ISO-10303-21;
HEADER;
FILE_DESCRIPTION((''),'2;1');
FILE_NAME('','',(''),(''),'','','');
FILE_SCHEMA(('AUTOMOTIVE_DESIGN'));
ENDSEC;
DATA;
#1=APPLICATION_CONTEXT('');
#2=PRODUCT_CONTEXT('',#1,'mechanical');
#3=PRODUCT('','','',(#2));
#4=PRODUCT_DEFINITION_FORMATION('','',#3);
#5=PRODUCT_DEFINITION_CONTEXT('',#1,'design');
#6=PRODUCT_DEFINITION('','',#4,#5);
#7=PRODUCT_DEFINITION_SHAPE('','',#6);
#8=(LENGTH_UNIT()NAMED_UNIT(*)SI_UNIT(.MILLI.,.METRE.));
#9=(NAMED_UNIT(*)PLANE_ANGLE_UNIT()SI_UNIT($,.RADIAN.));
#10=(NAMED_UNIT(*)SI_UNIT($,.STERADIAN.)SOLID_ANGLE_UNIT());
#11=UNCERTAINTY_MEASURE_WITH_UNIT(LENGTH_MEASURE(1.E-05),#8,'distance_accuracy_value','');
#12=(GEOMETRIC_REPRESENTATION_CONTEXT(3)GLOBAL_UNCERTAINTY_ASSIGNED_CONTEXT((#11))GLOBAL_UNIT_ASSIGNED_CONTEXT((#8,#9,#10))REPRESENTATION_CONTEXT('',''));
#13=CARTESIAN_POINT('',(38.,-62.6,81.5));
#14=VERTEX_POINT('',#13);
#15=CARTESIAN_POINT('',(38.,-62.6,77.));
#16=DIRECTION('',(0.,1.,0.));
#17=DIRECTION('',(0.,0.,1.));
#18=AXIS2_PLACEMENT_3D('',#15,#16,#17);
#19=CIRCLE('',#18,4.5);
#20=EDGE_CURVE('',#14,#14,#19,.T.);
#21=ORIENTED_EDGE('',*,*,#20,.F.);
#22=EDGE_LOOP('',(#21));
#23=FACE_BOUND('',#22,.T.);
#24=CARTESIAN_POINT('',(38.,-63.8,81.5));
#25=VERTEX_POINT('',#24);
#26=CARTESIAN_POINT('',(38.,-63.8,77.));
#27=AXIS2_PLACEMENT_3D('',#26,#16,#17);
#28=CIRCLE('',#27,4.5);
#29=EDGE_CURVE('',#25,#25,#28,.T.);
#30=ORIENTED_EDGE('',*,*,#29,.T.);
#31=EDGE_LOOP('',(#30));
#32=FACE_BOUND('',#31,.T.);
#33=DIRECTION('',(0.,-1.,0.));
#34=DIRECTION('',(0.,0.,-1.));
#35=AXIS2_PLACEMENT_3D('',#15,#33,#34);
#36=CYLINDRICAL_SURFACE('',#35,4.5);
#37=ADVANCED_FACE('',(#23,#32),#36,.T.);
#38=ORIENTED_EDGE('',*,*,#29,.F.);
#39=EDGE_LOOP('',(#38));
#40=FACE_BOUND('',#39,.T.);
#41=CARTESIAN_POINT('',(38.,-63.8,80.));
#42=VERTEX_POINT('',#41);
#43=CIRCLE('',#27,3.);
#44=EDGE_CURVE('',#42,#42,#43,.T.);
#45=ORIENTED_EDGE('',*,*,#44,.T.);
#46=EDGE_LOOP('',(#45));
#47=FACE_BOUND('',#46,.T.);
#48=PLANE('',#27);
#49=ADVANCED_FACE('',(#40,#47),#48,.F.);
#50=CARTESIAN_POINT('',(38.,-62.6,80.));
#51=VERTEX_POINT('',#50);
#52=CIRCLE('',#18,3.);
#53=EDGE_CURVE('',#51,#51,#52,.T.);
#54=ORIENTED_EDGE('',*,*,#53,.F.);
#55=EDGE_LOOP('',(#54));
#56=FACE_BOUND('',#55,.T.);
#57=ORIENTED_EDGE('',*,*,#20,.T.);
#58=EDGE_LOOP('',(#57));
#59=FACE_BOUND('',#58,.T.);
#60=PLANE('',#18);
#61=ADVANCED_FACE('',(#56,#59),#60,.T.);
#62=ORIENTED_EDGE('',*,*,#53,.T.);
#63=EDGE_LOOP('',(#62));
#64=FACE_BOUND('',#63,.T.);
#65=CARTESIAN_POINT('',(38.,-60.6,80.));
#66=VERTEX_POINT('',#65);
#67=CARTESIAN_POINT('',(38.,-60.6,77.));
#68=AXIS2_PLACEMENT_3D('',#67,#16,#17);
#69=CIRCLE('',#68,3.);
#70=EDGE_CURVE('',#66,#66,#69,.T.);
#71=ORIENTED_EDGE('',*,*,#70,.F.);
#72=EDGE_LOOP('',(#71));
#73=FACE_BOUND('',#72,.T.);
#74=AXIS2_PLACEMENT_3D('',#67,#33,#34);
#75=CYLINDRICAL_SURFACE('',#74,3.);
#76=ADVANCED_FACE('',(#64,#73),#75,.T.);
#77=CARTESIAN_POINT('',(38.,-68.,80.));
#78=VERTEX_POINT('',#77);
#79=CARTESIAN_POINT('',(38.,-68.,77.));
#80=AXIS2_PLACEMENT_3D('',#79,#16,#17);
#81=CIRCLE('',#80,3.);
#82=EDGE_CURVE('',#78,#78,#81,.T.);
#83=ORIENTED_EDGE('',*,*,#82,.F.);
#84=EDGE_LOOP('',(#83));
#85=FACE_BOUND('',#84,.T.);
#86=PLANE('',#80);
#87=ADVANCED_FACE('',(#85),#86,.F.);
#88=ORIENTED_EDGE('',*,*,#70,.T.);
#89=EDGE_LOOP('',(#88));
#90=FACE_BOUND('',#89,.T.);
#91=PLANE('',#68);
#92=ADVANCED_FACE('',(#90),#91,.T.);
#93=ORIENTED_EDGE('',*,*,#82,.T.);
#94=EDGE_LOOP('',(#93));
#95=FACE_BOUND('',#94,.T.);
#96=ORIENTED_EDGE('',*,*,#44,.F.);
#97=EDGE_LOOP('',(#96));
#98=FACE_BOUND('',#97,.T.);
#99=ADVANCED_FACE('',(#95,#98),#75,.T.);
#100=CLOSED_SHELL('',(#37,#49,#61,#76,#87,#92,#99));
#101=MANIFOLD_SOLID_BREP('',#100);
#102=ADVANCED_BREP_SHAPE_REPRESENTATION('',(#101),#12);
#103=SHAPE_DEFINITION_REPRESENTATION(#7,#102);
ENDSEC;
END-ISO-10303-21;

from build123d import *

# Parameters (mm, degrees)
SKETCH_1_R               = 3
PLUNGER_1_DEPTH          = 7.4
SKETCH_2_R               = 4.5
RETENTION_FLANGE_2_DEPTH = 1.2


with BuildPart() as part:
    # Эскиз1 → Plunger_1 (new body)
    with BuildSketch(Plane(origin=(0, -68, 0), x_dir=(1, 0, 0), z_dir=(0, 1, 0))):
        with Locations(Location((38, -77, 0), (0, 0, 270))):
            Circle(SKETCH_1_R)
    extrude(amount=PLUNGER_1_DEPTH)

    # Эскиз2 → Retention_flange_2 (add)
    with BuildSketch(Plane(origin=(0, -63.8, 0), x_dir=(1, 0, 0), z_dir=(0, 1, 0))):
        with Locations(Location((38, -77, 0), (0, 0, 270))):
            Circle(SKETCH_2_R)
    extrude(amount=RETENTION_FLANGE_2_DEPTH)


solid = part.part
